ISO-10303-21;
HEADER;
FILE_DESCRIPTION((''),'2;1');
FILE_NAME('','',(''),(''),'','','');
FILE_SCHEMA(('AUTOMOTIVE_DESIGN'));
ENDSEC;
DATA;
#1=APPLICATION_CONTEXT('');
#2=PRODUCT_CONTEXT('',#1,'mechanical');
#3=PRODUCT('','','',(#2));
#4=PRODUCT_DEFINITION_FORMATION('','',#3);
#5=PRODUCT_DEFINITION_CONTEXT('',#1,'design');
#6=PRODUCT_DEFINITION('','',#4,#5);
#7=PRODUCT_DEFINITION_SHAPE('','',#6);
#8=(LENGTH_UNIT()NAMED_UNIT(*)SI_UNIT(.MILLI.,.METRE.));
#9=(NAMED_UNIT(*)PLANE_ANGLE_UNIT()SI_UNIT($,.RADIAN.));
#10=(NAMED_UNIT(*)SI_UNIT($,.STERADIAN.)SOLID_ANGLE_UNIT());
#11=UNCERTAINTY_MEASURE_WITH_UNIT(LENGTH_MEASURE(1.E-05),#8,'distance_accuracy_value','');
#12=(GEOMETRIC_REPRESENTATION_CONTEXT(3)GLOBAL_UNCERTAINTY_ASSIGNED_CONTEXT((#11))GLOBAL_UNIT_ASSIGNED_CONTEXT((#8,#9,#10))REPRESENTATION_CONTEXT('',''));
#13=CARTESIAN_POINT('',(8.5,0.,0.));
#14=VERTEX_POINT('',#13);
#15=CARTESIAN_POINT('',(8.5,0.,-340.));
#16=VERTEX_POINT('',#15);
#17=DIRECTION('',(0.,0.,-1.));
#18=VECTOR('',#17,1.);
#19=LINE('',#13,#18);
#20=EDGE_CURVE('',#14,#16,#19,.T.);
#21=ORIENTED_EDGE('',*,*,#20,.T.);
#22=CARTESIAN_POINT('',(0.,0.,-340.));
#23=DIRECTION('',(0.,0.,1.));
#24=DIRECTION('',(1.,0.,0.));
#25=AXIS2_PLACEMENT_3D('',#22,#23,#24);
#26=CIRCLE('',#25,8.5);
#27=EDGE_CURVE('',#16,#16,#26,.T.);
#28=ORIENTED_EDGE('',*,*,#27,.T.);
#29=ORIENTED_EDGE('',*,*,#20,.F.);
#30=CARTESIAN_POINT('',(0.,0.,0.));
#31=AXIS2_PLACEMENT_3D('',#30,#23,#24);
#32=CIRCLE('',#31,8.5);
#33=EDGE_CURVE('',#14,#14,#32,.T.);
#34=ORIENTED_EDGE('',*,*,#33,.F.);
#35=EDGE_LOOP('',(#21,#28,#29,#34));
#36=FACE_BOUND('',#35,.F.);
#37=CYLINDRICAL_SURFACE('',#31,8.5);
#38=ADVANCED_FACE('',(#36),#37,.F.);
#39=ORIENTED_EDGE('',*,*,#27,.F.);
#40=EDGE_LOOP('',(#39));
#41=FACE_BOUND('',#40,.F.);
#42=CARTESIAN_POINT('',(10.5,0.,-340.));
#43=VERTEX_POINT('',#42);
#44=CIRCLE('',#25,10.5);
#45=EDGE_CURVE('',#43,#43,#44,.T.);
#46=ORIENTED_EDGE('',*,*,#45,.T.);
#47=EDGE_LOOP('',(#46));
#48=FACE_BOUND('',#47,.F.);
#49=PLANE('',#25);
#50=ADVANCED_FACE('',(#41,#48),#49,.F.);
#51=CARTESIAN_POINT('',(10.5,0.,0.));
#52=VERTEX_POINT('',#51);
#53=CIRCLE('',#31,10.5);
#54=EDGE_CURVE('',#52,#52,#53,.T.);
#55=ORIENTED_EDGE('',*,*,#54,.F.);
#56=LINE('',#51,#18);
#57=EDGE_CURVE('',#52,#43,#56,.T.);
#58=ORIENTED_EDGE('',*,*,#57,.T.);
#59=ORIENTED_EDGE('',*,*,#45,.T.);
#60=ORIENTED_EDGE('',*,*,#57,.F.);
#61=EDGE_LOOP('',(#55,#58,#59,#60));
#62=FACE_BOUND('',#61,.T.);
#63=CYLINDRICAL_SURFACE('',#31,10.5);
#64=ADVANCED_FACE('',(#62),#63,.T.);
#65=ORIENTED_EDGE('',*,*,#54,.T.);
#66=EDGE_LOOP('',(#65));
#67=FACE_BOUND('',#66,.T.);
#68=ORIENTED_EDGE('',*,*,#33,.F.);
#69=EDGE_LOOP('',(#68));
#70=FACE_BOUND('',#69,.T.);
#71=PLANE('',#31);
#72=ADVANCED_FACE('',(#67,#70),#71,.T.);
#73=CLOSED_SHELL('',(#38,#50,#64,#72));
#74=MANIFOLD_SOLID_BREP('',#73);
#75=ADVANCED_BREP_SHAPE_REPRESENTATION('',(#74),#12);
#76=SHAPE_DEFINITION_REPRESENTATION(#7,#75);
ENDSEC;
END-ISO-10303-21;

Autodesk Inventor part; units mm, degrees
ref_plane "YZ Plane" through (0, 0, 0) normal (1, 0, 0) x (0, 1, 0)
ref_plane "XZ Plane" through (0, 0, 0) normal (0, 1, 0) x (-1, 0, 0)
ref_plane "XY Plane" through (0, 0, 0) normal (0, 0, 1) x (1, 0, 0)
sketch "Sketch11" plane through (0, 0, 0) normal (0, 0, 1) x (1, 0, 0)
  circle A0 centre (0, 0) radius 10.5
  circle A1 centre (0, 0) radius 8.5
  dimension "d187" = 21
  dimension "d188" = 2
extrude "Extrusion5" add sketch "Sketch11" against normal blind 340
properties part number "TKS 3542 FDS thread  tube2" material "Stainless Steel"
